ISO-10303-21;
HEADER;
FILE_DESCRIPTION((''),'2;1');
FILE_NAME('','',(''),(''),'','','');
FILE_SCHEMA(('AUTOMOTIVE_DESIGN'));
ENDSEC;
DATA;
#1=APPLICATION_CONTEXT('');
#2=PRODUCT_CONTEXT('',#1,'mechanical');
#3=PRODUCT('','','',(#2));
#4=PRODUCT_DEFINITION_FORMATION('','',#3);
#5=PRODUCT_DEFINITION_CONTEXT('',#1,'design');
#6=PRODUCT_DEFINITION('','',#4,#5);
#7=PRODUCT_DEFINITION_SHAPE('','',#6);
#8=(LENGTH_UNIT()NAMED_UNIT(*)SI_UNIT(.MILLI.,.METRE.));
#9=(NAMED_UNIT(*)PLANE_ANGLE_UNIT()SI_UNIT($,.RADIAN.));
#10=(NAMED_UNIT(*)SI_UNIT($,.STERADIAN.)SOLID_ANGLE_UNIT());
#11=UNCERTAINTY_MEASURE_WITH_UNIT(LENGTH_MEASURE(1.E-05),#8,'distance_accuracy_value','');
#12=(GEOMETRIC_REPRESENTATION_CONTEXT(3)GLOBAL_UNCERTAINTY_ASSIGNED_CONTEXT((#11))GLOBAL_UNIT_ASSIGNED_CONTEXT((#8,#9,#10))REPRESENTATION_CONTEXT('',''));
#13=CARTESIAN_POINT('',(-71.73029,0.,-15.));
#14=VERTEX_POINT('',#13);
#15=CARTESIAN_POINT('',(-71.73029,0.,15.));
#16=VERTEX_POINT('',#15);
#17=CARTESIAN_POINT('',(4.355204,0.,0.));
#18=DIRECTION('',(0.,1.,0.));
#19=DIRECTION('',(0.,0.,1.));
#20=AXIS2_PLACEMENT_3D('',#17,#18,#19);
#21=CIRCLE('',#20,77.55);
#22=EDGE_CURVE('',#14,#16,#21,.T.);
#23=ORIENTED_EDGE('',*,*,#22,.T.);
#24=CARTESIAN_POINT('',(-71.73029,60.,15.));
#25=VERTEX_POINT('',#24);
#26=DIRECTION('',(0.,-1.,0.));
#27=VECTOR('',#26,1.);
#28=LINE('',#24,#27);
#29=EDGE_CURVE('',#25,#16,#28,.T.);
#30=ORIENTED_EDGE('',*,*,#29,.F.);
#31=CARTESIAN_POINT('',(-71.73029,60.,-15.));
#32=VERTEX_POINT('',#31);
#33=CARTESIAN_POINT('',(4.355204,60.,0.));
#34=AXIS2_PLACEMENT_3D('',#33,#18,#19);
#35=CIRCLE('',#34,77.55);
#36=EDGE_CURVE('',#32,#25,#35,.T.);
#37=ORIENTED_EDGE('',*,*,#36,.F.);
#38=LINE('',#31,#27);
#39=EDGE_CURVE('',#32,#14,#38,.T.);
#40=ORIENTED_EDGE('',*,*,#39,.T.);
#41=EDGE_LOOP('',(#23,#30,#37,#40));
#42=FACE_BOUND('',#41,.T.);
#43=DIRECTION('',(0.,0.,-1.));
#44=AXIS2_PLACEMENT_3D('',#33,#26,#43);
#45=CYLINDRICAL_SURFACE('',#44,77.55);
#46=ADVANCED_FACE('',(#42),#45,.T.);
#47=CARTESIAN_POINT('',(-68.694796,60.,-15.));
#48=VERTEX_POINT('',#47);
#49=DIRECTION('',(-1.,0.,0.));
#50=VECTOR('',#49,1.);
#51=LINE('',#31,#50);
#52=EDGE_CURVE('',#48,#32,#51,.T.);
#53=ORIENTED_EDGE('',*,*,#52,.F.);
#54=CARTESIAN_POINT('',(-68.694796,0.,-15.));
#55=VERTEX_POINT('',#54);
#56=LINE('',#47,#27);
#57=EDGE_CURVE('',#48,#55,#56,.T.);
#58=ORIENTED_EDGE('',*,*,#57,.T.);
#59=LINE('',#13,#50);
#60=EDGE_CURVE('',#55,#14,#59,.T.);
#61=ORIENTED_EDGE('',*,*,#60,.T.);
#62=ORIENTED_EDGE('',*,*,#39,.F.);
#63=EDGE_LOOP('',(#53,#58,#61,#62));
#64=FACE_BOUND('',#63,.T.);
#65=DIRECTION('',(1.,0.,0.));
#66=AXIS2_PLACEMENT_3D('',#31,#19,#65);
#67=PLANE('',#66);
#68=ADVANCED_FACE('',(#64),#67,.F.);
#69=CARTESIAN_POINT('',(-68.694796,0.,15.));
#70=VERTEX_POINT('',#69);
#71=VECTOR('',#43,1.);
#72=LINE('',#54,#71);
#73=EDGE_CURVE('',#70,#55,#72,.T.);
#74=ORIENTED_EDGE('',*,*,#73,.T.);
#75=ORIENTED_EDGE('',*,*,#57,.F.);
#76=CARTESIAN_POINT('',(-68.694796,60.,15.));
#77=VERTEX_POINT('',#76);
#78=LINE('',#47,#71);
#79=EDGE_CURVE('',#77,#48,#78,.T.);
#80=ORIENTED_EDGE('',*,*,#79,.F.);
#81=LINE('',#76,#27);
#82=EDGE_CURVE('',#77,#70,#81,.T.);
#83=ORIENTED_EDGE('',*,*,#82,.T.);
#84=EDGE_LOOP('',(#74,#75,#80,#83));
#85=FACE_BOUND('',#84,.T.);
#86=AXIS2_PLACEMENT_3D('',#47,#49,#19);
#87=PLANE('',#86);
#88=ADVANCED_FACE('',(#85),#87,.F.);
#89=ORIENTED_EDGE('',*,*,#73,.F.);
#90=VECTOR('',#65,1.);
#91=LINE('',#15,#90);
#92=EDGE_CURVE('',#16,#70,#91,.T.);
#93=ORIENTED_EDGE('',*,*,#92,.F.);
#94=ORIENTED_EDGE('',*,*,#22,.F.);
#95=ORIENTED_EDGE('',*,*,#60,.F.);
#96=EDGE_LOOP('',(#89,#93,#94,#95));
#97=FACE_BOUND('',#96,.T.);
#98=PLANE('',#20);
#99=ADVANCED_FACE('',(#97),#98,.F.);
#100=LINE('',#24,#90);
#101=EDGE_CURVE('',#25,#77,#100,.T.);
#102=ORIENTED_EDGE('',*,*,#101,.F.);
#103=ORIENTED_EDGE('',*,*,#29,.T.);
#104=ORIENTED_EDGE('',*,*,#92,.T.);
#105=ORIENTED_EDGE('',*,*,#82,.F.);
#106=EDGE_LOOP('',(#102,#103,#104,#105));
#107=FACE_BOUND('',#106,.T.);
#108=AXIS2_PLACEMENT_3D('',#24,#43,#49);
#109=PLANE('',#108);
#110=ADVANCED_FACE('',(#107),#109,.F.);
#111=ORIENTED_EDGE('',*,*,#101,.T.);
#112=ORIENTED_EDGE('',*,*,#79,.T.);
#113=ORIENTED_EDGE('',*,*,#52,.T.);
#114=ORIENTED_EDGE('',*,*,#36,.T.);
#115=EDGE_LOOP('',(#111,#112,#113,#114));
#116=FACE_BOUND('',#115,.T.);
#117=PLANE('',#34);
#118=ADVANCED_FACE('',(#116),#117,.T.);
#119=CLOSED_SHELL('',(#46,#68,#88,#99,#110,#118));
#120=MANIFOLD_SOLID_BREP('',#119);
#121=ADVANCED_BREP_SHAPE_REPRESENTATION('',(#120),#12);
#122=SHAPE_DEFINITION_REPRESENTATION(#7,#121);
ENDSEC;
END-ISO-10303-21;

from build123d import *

# Parameters (mm, degrees)
EXTRUDE_1_DEPTH = 60


with BuildPart() as part:
    # 草图1 → 凸台-拉伸1 (new body)
    with BuildSketch(Plane(origin=(0, 0, 0), x_dir=(1, 0, 0), z_dir=(0, 1, 0))):
        with BuildLine():
            Line((-71.730290341, 15), (-68.694795665, 15))
            Line((-68.694795665, 15), (-68.694795665, -15))
            Line((-68.694795665, -15), (-71.730290341, -15))
            ThreePointArc((-71.730290341, -15), (-73.194795665, 0), (-71.730290341, 15))
        make_face()
    extrude(amount=EXTRUDE_1_DEPTH)


solid = part.part
